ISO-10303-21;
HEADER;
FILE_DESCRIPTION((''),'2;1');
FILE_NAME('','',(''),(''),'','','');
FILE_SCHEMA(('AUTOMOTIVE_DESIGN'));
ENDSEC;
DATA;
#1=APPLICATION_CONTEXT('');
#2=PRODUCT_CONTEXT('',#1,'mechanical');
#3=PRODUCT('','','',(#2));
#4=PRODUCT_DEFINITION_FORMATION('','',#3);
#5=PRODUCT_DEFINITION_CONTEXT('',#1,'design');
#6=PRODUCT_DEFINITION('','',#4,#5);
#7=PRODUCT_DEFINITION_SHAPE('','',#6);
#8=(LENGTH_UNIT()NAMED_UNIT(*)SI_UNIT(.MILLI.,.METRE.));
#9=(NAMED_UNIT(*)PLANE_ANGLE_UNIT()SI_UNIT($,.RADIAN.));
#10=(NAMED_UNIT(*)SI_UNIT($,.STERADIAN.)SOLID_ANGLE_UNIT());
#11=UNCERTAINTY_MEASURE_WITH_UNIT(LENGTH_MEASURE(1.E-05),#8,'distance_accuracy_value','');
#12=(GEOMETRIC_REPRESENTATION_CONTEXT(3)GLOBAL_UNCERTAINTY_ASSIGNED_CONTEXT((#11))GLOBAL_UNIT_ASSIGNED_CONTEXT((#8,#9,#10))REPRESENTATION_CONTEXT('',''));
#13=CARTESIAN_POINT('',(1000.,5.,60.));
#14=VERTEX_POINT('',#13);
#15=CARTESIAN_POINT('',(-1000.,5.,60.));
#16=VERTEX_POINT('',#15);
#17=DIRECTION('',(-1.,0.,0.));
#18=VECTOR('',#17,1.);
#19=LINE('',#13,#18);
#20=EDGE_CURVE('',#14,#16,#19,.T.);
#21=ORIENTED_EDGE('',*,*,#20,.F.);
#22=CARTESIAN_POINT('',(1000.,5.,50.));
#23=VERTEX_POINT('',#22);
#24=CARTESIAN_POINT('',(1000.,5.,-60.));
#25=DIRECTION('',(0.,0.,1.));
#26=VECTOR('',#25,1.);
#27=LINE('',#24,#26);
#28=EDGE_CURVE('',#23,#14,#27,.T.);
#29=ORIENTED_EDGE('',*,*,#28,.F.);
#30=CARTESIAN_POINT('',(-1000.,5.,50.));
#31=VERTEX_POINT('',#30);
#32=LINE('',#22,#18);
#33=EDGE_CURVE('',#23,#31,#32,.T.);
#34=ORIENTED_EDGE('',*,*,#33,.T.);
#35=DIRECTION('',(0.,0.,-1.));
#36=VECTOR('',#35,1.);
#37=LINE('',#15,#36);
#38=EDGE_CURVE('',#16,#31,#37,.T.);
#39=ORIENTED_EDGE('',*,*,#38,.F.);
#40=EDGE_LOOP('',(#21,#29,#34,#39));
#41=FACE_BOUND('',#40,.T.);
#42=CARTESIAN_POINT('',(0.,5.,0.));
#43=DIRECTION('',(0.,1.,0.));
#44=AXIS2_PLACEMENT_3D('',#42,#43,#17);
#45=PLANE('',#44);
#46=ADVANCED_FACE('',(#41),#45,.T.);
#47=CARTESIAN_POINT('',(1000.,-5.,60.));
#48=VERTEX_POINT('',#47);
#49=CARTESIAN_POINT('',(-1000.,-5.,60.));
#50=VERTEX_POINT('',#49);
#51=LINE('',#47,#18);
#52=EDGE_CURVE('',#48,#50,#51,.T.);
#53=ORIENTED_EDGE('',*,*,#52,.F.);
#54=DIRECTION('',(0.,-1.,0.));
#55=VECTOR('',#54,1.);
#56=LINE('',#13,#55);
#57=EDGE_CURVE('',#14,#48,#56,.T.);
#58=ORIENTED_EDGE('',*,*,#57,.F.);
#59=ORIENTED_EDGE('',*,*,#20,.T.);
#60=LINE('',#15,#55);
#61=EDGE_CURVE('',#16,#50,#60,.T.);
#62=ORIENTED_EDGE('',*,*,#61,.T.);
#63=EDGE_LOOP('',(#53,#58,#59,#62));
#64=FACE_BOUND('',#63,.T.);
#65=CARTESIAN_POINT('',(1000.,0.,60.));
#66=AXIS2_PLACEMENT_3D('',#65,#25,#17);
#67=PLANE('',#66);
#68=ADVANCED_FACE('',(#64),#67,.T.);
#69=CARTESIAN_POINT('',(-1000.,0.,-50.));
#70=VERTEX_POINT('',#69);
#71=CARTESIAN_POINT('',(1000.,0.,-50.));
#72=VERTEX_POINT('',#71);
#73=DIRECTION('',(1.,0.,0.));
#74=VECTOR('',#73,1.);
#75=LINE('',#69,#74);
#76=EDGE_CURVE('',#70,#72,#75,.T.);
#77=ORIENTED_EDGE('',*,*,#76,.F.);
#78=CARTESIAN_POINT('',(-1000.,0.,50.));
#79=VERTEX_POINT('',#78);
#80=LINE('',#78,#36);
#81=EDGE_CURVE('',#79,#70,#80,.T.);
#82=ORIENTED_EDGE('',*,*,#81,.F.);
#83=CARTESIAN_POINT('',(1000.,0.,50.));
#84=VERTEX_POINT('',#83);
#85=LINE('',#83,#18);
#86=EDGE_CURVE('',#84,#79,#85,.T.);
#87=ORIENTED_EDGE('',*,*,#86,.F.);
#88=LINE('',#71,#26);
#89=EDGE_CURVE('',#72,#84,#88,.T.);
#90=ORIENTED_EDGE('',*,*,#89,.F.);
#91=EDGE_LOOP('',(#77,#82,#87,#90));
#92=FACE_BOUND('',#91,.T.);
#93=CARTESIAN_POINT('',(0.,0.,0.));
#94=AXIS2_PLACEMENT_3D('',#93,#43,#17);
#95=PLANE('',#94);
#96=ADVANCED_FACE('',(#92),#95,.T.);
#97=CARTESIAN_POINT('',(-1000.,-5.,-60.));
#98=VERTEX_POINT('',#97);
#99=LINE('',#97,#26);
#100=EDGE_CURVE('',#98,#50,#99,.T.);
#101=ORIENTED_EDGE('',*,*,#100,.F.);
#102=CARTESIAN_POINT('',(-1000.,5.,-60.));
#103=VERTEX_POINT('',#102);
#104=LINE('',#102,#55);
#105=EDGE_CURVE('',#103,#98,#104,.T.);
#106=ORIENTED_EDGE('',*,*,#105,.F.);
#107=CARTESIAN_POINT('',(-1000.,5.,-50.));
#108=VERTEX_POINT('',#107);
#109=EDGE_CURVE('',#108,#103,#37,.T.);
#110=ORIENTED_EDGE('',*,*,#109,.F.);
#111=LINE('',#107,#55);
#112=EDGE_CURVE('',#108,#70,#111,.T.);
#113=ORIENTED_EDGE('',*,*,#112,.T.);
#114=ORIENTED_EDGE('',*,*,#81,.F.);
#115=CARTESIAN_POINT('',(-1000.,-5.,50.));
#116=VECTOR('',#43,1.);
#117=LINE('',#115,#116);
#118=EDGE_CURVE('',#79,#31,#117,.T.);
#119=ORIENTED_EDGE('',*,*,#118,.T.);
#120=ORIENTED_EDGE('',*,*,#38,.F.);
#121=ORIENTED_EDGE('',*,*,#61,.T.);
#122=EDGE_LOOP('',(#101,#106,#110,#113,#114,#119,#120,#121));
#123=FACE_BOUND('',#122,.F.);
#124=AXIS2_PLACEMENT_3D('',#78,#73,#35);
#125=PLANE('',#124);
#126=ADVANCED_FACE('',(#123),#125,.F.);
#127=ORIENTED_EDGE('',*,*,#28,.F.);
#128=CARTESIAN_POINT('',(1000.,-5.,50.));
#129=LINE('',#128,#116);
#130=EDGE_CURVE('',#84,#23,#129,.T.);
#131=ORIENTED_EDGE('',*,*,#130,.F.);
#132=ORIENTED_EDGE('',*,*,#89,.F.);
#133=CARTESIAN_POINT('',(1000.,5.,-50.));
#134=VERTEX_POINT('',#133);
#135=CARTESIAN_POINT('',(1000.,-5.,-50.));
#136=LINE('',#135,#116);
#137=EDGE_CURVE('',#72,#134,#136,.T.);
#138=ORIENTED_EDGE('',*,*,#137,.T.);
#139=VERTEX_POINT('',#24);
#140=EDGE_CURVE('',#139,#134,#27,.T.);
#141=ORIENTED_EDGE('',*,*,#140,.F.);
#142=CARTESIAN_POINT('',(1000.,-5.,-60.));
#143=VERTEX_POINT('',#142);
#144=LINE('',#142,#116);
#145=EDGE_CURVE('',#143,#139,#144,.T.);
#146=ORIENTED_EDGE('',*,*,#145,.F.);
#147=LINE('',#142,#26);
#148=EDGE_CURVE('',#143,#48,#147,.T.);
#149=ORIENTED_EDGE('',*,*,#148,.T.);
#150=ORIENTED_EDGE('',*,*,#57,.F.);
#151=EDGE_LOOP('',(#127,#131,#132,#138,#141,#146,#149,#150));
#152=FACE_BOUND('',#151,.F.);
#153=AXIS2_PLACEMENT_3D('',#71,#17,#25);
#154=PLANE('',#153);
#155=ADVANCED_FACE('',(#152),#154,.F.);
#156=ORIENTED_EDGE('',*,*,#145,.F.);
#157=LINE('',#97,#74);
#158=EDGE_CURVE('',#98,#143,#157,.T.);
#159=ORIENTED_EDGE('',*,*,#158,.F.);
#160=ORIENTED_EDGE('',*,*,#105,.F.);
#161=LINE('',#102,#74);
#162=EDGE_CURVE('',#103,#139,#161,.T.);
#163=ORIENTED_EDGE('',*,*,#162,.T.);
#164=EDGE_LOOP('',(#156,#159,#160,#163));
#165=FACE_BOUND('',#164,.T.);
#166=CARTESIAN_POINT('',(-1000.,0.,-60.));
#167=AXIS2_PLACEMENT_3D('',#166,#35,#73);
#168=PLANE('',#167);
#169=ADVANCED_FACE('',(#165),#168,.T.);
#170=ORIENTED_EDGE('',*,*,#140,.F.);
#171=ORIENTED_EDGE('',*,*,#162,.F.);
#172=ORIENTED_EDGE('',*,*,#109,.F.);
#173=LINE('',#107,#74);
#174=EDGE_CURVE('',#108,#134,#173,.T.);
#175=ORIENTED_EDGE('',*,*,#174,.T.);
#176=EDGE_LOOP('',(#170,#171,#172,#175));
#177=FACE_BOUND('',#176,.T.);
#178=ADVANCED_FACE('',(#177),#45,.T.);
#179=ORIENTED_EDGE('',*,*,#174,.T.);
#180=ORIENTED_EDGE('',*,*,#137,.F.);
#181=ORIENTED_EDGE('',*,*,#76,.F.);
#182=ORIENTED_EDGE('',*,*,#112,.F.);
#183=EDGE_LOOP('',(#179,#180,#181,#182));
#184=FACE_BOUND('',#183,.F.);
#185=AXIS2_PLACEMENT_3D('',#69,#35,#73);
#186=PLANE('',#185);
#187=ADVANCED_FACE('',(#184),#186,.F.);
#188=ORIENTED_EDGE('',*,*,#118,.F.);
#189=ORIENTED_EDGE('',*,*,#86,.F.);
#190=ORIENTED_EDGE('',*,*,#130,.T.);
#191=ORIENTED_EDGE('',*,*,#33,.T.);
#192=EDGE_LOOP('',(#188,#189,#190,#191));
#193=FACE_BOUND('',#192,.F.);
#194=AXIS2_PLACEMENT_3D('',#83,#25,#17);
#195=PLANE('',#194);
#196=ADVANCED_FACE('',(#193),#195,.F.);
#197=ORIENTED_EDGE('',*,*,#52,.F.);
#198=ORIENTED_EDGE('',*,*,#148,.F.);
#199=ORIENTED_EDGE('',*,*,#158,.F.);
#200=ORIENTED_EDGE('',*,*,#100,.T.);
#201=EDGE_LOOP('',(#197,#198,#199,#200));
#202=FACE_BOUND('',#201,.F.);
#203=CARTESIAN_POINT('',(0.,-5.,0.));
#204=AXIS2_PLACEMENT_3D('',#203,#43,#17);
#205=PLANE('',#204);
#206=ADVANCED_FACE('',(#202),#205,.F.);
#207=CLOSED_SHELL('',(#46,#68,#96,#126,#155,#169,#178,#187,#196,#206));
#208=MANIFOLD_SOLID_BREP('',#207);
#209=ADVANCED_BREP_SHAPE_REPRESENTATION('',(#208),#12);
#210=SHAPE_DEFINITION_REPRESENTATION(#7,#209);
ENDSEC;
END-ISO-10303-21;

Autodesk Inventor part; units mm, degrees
ref_plane "YZ Plane" through (0, 0, 0) normal (1, 0, 0) x (0, 1, 0)
ref_plane "XZ Plane" through (0, 0, 0) normal (0, 1, 0) x (-1, 0, 0)
ref_plane "XY Plane" through (0, 0, 0) normal (0, 0, 1) x (1, 0, 0)
sketch "Sketch1" plane through (0, 0, 0) normal (0, 1, 0) x (-1, 0, 0)
  line L0 (-1000, 50) -> (1000, 50)
  line L1 (1000, 50) -> (1000, -50)
  line L2 (1000, -50) -> (-1000, -50)
  line L3 (-1000, -50) -> (-1000, 50)
  line L4 (-1000, 50) -> (1000, -50) construction
  line L5 (1000, 50) -> (-1000, -50) construction
  line L6 (-1000, 60) -> (1000, 60)
  line L7 (1000, 60) -> (1000, -60)
  line L8 (1000, -60) -> (-1000, -60)
  line L9 (-1000, -60) -> (-1000, 60)
  line L10 (-1000, 60) -> (1000, -60) construction
  line L11 (1000, 60) -> (-1000, -60) construction
  point P0 (0, 0)
  dimension "d0" = 100
  dimension "d1" = 2000
  dimension "d2" = 120
extrude "Extrusion1" add sketch "Sketch1" against normal blind 5 contours L0 L1 L2 L3
extrude "Extrusion2" add sketch "Sketch1" along normal mid plane 10 contours L9 L6 L7 L0 | L2 L7 L8 L9
properties part number "jalur"
